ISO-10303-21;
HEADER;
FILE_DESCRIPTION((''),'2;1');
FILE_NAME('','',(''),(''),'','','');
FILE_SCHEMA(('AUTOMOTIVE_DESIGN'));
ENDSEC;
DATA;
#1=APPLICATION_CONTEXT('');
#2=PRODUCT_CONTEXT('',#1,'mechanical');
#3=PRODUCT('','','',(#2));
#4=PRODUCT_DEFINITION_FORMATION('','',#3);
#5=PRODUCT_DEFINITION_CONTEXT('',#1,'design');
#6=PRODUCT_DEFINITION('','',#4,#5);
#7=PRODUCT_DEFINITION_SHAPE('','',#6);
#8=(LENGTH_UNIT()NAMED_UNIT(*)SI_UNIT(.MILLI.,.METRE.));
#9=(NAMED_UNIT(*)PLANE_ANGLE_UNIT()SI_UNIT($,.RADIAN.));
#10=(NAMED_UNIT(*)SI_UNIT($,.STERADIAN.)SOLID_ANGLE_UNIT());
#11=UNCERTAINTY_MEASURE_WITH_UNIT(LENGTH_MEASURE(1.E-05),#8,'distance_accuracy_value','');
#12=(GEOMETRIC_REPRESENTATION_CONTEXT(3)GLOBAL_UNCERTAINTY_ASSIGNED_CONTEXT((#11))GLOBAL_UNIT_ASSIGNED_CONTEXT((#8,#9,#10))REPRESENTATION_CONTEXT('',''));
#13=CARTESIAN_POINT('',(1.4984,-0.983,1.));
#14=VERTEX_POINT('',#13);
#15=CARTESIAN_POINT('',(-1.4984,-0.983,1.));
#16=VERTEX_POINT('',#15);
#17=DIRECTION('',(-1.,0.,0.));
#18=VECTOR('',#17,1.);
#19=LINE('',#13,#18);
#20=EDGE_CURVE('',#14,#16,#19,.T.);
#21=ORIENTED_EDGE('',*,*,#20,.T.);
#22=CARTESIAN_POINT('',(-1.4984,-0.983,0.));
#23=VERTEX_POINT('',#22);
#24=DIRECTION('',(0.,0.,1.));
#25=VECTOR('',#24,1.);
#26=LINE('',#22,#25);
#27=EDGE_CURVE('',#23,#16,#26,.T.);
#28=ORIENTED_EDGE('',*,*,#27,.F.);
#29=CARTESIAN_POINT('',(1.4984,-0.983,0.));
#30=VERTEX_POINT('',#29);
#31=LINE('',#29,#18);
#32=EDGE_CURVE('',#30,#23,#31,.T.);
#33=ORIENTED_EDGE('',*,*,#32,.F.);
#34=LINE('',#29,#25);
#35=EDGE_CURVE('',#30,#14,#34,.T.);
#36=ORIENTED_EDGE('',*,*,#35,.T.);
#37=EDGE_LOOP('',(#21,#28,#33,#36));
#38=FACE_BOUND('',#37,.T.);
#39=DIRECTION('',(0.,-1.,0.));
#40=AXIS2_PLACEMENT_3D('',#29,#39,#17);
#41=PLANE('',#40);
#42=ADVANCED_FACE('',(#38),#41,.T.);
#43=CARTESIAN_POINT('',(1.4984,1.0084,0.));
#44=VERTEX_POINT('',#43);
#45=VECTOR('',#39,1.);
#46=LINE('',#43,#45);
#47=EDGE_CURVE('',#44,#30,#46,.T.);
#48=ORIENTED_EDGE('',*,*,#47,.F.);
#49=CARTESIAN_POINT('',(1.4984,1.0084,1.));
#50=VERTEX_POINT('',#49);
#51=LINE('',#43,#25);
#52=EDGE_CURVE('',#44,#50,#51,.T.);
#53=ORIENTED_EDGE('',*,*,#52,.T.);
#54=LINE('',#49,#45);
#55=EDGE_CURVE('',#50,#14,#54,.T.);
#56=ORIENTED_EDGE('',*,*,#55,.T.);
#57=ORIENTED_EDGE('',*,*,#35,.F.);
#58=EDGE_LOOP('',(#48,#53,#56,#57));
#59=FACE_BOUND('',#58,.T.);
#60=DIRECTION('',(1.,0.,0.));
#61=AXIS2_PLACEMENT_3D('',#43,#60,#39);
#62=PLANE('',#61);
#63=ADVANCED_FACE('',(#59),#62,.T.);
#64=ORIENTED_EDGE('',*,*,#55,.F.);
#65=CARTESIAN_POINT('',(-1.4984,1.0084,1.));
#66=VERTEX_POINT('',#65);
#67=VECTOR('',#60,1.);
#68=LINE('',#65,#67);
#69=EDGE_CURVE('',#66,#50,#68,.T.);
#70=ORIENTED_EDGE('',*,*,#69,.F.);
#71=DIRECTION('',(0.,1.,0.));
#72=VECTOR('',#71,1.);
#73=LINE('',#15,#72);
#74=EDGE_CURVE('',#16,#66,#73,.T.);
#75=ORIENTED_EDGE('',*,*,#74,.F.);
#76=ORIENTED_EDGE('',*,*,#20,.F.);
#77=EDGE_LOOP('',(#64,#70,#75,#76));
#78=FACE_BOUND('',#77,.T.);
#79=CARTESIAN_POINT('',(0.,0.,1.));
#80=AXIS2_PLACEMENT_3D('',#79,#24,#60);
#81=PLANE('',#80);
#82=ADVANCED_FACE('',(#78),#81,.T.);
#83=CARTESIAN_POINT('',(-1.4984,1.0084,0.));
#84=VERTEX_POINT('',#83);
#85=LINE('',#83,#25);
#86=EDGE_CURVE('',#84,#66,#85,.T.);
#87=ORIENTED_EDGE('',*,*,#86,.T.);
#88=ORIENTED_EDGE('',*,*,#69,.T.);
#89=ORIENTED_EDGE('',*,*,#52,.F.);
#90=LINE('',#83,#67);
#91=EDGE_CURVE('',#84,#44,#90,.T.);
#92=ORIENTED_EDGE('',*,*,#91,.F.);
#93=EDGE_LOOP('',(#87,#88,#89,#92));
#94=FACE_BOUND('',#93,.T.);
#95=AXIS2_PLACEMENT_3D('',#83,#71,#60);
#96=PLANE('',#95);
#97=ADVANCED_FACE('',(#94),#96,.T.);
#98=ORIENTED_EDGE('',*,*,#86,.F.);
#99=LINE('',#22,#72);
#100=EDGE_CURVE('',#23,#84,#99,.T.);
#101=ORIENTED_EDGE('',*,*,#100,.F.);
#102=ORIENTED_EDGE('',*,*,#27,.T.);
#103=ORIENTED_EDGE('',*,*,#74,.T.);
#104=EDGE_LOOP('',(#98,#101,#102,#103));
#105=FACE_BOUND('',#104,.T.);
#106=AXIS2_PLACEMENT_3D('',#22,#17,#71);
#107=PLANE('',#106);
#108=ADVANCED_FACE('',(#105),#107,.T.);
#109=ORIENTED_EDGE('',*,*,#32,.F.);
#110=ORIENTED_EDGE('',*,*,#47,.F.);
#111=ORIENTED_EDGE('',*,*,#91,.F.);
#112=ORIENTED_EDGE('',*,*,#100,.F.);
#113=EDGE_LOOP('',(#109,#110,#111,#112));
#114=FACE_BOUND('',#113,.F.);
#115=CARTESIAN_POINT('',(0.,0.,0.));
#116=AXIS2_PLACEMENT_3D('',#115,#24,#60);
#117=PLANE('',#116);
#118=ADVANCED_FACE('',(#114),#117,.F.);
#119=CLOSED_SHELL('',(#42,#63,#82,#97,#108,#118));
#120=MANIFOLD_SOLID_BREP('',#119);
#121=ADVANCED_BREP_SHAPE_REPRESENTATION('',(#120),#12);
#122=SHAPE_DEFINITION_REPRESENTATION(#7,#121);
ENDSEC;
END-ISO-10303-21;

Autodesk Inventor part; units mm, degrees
ref_plane "YZ Plane" through (0, 0, 0) normal (1, 0, 0) x (0, 1, 0)
ref_plane "XZ Plane" through (0, 0, 0) normal (0, 1, 0) x (-1, 0, 0)
ref_plane "XY Plane" through (0, 0, 0) normal (0, 0, 1) x (1, 0, 0)
sketch "0603-RES, 10K_50" plane through (0, 0, 0) normal (0, 0, 1) x (1, 0, 0)
  line L0 (-1.4984, 1.0084) -> (1.4984, 1.0084)
  line L1 (1.4984, 1.0084) -> (1.4984, -0.983)
  line L2 (1.4984, -0.983) -> (-1.4984, -0.983)
  line L3 (-1.4984, -0.983) -> (-1.4984, 1.0084)
extrude "Extrusion1" add sketch "0603-RES, 10K_50" along normal blind 1
properties part number "10K"
